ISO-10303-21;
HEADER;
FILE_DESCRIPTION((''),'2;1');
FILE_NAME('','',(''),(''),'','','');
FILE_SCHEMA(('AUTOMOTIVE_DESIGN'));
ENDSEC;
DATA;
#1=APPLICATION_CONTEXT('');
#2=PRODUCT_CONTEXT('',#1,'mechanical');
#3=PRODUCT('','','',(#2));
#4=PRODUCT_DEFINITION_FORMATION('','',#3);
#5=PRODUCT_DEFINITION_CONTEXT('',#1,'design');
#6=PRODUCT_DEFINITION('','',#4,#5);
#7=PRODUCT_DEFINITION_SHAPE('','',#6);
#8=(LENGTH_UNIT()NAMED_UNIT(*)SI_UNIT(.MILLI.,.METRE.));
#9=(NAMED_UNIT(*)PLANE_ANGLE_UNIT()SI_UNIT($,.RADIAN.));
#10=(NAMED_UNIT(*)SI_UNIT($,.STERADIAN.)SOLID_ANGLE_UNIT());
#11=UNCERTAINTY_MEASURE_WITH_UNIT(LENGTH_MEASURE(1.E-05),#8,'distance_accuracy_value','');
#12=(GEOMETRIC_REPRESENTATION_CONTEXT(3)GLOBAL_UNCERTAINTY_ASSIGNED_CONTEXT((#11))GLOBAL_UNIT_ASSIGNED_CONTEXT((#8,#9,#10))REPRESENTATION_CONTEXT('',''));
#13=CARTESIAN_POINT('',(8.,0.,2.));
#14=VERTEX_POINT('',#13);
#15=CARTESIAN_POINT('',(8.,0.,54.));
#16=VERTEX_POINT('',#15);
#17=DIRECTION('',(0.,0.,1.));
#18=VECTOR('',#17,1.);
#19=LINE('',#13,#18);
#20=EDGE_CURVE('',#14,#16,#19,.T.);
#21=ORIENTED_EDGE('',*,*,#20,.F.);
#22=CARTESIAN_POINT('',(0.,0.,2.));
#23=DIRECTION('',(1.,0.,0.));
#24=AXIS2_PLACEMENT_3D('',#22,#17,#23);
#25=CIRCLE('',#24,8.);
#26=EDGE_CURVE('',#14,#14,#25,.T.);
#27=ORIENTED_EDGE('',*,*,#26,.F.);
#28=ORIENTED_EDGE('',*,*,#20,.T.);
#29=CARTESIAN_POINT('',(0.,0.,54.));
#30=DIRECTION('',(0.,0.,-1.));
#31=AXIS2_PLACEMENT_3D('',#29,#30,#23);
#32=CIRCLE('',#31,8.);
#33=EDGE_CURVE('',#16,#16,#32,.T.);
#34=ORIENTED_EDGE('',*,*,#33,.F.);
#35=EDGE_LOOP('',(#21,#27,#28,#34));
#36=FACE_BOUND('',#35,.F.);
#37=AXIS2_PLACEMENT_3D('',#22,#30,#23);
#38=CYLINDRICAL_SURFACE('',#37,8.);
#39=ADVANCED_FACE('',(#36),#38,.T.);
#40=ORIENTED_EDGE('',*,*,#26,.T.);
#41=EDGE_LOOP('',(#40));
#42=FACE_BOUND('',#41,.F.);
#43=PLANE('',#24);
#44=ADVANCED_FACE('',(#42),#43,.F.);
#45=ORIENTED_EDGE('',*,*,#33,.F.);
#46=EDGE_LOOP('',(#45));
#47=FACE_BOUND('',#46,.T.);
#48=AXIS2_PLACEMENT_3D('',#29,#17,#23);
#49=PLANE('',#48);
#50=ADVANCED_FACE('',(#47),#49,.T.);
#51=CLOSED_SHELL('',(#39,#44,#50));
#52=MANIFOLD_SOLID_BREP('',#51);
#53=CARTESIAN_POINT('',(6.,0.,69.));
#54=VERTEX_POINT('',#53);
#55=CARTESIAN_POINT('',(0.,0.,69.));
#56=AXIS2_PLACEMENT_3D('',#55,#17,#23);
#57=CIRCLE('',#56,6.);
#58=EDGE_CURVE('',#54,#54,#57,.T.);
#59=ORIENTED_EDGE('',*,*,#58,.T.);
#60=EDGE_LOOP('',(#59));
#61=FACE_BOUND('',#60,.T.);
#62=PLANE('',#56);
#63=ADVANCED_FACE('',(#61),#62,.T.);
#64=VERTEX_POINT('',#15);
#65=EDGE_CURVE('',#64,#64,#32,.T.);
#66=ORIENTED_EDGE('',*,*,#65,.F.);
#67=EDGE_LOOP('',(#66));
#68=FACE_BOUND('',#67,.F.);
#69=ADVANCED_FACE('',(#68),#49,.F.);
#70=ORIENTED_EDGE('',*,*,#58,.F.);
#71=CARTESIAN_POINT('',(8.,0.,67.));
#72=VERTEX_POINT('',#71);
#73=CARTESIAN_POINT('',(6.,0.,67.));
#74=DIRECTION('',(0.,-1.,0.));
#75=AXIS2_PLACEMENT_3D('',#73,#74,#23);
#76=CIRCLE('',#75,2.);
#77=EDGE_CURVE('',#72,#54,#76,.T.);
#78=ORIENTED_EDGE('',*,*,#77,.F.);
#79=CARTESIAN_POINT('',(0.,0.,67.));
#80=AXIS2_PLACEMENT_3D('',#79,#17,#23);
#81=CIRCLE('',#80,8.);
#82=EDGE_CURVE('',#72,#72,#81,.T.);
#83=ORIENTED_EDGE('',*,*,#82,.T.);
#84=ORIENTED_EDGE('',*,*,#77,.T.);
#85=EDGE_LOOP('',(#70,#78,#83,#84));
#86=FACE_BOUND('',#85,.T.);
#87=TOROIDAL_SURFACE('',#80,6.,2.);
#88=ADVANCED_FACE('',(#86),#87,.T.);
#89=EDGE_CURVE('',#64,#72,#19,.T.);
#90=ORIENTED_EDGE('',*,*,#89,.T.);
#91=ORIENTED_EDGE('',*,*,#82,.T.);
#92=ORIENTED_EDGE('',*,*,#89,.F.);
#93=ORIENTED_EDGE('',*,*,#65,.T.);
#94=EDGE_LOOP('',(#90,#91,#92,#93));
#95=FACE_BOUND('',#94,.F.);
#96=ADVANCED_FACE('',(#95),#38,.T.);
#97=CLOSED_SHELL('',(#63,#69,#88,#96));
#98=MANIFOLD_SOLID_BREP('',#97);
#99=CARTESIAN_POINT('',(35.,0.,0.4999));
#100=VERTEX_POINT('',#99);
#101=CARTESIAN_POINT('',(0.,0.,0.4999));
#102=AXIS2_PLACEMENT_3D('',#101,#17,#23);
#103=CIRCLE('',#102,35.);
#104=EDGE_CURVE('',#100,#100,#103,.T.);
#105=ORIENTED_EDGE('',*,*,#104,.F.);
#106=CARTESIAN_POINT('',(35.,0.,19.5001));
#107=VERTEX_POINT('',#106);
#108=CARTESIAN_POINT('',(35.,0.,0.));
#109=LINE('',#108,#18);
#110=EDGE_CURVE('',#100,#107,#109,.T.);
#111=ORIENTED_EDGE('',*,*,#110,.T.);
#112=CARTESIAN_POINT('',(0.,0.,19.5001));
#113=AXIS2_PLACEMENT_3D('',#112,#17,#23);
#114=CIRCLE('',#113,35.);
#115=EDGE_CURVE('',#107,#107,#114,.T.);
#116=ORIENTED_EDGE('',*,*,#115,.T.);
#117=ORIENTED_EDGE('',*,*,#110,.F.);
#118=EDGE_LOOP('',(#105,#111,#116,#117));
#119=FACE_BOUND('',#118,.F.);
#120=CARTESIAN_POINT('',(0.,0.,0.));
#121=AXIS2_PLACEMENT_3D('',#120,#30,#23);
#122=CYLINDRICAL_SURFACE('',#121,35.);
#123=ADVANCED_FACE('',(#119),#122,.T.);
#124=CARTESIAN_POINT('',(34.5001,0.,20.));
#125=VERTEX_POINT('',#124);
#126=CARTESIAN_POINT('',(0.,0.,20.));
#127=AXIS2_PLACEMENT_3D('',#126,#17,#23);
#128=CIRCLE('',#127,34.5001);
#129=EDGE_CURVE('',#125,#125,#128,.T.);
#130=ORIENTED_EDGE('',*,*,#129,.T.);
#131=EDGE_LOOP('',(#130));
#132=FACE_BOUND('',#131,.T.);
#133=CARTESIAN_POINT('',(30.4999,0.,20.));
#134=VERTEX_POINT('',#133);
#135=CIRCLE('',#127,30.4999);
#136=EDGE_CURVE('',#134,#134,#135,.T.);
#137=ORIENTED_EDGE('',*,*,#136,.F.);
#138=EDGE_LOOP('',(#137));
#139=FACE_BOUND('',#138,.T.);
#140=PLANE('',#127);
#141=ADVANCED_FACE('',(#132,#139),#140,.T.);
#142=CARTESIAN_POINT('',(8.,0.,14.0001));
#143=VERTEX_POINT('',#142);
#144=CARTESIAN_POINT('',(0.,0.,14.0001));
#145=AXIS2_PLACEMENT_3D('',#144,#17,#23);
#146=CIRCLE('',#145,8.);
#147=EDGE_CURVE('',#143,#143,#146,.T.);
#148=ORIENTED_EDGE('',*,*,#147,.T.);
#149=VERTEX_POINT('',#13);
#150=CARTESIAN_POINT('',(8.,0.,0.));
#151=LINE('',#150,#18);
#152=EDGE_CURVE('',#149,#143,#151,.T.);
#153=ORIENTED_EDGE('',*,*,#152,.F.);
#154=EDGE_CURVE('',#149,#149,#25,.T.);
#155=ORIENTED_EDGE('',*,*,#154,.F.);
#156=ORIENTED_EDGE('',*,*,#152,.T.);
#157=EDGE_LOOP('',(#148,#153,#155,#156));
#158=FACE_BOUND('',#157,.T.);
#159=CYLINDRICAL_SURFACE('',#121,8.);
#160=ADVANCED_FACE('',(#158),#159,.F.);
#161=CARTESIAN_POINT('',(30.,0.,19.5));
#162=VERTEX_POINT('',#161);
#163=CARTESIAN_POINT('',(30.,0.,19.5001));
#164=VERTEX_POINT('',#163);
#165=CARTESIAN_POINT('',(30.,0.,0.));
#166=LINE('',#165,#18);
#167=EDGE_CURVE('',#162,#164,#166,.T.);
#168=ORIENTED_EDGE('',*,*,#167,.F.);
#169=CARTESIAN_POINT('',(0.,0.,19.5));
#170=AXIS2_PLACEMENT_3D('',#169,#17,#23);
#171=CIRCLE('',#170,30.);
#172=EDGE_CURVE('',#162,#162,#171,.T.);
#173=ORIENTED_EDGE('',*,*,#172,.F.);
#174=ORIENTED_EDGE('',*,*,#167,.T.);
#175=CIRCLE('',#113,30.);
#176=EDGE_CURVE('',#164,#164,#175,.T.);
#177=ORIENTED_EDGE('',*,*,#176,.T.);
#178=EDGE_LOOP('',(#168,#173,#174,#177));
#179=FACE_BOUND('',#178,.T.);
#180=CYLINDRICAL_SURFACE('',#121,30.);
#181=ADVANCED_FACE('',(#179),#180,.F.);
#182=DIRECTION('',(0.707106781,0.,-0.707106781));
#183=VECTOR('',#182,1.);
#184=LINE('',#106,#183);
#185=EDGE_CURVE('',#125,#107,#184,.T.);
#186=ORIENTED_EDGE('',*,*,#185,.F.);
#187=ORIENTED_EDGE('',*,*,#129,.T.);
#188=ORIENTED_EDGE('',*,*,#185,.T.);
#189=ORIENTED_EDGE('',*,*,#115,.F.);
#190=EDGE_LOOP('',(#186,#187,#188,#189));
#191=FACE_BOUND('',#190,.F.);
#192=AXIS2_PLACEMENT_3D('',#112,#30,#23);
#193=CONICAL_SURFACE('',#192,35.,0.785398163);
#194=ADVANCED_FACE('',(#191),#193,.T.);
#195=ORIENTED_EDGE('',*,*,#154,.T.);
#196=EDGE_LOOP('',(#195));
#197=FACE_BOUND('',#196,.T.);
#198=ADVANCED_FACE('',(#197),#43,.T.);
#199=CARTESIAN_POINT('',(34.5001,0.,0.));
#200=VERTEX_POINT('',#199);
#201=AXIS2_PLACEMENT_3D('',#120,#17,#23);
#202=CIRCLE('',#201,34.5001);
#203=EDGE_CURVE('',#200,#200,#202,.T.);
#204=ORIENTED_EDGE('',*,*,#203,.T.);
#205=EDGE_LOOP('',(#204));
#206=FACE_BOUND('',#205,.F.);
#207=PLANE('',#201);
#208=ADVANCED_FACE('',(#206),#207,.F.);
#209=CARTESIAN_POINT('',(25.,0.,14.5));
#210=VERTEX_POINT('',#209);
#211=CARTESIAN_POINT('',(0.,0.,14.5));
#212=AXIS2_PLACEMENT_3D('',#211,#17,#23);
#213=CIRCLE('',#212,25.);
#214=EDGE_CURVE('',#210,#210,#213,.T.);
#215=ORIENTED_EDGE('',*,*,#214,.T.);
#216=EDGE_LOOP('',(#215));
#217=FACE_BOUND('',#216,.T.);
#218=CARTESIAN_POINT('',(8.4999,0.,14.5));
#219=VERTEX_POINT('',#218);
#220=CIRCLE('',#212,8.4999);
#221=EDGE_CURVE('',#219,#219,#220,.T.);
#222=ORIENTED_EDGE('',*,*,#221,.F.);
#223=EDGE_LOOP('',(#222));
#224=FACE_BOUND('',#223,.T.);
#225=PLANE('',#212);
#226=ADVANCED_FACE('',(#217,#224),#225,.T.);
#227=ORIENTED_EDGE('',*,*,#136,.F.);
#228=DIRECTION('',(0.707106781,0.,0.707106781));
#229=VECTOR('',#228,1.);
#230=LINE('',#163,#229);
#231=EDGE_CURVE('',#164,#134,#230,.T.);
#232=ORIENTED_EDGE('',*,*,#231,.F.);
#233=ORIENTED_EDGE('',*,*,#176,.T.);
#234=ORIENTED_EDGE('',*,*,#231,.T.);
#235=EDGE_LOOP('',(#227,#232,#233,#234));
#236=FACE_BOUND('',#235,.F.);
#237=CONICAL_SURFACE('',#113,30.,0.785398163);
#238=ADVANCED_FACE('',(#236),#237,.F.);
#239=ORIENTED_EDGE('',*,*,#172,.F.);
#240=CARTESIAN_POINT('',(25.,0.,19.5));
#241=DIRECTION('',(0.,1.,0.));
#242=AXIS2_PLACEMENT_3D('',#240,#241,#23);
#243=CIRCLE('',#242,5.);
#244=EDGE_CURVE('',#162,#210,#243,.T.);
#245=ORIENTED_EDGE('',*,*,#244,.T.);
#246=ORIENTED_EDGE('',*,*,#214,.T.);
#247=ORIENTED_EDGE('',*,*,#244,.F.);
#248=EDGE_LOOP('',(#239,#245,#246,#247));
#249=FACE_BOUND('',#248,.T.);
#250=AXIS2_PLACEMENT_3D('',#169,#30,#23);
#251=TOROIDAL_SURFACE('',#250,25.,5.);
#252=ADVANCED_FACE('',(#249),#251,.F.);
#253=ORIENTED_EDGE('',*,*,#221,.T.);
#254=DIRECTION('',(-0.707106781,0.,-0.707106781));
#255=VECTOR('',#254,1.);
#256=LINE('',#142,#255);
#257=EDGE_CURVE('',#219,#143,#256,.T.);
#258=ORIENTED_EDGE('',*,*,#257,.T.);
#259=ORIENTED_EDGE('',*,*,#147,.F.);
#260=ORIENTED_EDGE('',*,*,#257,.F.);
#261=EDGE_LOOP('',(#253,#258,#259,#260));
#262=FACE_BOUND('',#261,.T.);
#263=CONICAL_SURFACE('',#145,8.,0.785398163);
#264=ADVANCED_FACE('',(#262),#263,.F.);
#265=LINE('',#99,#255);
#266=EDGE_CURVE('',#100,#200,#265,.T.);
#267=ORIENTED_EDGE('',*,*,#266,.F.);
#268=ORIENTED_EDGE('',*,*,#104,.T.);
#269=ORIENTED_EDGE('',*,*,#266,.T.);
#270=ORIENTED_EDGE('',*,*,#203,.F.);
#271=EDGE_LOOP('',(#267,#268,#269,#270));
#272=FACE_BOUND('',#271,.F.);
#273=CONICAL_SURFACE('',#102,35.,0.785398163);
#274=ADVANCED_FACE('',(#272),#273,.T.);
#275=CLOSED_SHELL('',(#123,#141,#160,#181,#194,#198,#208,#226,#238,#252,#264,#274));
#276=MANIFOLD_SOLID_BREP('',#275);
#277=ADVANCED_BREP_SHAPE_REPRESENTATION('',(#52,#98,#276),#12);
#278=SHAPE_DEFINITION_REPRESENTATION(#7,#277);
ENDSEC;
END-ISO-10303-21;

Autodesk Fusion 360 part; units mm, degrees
sketch "Sketch1" plane through (0, 0, 0) normal (0, 0, 1) x (1, 0, 0)
  circle A0 centre (0, 0) radius 35
  circle A1 centre (0, 0) radius 30
  circle A2 centre (0, 0) radius 8
  dimension "d1" = 16
  dimension "d2" = 60
  dimension "d3" = 70
extrude "Extrude1" add sketch "Sketch1" along normal blind 20 contours A0 makes body 1
extrude "Extrude2" add sketch "Sketch1" along normal up to surface (14.5 mm away) contours A1 bodies 1
extrude "Extrude3" add sketch "Sketch1" along normal blind 2 contours A2 bodies 1
fillet "Fillet1" radius 5 1 edges at (-27.9698, 10.8485, 14.5) on bodies 1
chamfer "Chamfer1" distance 0.5 angle 45 4 edges at (-27.9698, 10.8485, 20) (-32.6315, -12.6565, 20) (-32.6315, -12.6565, 0) (-7.4586, -2.8929, 14.5) on bodies 1
extrude "Extrude4" add sketch "Sketch1" along normal blind 67 from surface at 2 separate body contours A2 makes body 2
fillet "Fillet2" radius 2 1 edges at (-7.4586, -2.8929, 69) on bodies 2
ref_plane "WorkPlane1" through (0, 0, 54) normal (0, 0, 1) x (1, 0, 0)
split "Split1" by plane through (0, 0, 54) normal (0, 0, 1) bodies 2 makes body 3 at (7.9602, 0.7965, 58.3333)
